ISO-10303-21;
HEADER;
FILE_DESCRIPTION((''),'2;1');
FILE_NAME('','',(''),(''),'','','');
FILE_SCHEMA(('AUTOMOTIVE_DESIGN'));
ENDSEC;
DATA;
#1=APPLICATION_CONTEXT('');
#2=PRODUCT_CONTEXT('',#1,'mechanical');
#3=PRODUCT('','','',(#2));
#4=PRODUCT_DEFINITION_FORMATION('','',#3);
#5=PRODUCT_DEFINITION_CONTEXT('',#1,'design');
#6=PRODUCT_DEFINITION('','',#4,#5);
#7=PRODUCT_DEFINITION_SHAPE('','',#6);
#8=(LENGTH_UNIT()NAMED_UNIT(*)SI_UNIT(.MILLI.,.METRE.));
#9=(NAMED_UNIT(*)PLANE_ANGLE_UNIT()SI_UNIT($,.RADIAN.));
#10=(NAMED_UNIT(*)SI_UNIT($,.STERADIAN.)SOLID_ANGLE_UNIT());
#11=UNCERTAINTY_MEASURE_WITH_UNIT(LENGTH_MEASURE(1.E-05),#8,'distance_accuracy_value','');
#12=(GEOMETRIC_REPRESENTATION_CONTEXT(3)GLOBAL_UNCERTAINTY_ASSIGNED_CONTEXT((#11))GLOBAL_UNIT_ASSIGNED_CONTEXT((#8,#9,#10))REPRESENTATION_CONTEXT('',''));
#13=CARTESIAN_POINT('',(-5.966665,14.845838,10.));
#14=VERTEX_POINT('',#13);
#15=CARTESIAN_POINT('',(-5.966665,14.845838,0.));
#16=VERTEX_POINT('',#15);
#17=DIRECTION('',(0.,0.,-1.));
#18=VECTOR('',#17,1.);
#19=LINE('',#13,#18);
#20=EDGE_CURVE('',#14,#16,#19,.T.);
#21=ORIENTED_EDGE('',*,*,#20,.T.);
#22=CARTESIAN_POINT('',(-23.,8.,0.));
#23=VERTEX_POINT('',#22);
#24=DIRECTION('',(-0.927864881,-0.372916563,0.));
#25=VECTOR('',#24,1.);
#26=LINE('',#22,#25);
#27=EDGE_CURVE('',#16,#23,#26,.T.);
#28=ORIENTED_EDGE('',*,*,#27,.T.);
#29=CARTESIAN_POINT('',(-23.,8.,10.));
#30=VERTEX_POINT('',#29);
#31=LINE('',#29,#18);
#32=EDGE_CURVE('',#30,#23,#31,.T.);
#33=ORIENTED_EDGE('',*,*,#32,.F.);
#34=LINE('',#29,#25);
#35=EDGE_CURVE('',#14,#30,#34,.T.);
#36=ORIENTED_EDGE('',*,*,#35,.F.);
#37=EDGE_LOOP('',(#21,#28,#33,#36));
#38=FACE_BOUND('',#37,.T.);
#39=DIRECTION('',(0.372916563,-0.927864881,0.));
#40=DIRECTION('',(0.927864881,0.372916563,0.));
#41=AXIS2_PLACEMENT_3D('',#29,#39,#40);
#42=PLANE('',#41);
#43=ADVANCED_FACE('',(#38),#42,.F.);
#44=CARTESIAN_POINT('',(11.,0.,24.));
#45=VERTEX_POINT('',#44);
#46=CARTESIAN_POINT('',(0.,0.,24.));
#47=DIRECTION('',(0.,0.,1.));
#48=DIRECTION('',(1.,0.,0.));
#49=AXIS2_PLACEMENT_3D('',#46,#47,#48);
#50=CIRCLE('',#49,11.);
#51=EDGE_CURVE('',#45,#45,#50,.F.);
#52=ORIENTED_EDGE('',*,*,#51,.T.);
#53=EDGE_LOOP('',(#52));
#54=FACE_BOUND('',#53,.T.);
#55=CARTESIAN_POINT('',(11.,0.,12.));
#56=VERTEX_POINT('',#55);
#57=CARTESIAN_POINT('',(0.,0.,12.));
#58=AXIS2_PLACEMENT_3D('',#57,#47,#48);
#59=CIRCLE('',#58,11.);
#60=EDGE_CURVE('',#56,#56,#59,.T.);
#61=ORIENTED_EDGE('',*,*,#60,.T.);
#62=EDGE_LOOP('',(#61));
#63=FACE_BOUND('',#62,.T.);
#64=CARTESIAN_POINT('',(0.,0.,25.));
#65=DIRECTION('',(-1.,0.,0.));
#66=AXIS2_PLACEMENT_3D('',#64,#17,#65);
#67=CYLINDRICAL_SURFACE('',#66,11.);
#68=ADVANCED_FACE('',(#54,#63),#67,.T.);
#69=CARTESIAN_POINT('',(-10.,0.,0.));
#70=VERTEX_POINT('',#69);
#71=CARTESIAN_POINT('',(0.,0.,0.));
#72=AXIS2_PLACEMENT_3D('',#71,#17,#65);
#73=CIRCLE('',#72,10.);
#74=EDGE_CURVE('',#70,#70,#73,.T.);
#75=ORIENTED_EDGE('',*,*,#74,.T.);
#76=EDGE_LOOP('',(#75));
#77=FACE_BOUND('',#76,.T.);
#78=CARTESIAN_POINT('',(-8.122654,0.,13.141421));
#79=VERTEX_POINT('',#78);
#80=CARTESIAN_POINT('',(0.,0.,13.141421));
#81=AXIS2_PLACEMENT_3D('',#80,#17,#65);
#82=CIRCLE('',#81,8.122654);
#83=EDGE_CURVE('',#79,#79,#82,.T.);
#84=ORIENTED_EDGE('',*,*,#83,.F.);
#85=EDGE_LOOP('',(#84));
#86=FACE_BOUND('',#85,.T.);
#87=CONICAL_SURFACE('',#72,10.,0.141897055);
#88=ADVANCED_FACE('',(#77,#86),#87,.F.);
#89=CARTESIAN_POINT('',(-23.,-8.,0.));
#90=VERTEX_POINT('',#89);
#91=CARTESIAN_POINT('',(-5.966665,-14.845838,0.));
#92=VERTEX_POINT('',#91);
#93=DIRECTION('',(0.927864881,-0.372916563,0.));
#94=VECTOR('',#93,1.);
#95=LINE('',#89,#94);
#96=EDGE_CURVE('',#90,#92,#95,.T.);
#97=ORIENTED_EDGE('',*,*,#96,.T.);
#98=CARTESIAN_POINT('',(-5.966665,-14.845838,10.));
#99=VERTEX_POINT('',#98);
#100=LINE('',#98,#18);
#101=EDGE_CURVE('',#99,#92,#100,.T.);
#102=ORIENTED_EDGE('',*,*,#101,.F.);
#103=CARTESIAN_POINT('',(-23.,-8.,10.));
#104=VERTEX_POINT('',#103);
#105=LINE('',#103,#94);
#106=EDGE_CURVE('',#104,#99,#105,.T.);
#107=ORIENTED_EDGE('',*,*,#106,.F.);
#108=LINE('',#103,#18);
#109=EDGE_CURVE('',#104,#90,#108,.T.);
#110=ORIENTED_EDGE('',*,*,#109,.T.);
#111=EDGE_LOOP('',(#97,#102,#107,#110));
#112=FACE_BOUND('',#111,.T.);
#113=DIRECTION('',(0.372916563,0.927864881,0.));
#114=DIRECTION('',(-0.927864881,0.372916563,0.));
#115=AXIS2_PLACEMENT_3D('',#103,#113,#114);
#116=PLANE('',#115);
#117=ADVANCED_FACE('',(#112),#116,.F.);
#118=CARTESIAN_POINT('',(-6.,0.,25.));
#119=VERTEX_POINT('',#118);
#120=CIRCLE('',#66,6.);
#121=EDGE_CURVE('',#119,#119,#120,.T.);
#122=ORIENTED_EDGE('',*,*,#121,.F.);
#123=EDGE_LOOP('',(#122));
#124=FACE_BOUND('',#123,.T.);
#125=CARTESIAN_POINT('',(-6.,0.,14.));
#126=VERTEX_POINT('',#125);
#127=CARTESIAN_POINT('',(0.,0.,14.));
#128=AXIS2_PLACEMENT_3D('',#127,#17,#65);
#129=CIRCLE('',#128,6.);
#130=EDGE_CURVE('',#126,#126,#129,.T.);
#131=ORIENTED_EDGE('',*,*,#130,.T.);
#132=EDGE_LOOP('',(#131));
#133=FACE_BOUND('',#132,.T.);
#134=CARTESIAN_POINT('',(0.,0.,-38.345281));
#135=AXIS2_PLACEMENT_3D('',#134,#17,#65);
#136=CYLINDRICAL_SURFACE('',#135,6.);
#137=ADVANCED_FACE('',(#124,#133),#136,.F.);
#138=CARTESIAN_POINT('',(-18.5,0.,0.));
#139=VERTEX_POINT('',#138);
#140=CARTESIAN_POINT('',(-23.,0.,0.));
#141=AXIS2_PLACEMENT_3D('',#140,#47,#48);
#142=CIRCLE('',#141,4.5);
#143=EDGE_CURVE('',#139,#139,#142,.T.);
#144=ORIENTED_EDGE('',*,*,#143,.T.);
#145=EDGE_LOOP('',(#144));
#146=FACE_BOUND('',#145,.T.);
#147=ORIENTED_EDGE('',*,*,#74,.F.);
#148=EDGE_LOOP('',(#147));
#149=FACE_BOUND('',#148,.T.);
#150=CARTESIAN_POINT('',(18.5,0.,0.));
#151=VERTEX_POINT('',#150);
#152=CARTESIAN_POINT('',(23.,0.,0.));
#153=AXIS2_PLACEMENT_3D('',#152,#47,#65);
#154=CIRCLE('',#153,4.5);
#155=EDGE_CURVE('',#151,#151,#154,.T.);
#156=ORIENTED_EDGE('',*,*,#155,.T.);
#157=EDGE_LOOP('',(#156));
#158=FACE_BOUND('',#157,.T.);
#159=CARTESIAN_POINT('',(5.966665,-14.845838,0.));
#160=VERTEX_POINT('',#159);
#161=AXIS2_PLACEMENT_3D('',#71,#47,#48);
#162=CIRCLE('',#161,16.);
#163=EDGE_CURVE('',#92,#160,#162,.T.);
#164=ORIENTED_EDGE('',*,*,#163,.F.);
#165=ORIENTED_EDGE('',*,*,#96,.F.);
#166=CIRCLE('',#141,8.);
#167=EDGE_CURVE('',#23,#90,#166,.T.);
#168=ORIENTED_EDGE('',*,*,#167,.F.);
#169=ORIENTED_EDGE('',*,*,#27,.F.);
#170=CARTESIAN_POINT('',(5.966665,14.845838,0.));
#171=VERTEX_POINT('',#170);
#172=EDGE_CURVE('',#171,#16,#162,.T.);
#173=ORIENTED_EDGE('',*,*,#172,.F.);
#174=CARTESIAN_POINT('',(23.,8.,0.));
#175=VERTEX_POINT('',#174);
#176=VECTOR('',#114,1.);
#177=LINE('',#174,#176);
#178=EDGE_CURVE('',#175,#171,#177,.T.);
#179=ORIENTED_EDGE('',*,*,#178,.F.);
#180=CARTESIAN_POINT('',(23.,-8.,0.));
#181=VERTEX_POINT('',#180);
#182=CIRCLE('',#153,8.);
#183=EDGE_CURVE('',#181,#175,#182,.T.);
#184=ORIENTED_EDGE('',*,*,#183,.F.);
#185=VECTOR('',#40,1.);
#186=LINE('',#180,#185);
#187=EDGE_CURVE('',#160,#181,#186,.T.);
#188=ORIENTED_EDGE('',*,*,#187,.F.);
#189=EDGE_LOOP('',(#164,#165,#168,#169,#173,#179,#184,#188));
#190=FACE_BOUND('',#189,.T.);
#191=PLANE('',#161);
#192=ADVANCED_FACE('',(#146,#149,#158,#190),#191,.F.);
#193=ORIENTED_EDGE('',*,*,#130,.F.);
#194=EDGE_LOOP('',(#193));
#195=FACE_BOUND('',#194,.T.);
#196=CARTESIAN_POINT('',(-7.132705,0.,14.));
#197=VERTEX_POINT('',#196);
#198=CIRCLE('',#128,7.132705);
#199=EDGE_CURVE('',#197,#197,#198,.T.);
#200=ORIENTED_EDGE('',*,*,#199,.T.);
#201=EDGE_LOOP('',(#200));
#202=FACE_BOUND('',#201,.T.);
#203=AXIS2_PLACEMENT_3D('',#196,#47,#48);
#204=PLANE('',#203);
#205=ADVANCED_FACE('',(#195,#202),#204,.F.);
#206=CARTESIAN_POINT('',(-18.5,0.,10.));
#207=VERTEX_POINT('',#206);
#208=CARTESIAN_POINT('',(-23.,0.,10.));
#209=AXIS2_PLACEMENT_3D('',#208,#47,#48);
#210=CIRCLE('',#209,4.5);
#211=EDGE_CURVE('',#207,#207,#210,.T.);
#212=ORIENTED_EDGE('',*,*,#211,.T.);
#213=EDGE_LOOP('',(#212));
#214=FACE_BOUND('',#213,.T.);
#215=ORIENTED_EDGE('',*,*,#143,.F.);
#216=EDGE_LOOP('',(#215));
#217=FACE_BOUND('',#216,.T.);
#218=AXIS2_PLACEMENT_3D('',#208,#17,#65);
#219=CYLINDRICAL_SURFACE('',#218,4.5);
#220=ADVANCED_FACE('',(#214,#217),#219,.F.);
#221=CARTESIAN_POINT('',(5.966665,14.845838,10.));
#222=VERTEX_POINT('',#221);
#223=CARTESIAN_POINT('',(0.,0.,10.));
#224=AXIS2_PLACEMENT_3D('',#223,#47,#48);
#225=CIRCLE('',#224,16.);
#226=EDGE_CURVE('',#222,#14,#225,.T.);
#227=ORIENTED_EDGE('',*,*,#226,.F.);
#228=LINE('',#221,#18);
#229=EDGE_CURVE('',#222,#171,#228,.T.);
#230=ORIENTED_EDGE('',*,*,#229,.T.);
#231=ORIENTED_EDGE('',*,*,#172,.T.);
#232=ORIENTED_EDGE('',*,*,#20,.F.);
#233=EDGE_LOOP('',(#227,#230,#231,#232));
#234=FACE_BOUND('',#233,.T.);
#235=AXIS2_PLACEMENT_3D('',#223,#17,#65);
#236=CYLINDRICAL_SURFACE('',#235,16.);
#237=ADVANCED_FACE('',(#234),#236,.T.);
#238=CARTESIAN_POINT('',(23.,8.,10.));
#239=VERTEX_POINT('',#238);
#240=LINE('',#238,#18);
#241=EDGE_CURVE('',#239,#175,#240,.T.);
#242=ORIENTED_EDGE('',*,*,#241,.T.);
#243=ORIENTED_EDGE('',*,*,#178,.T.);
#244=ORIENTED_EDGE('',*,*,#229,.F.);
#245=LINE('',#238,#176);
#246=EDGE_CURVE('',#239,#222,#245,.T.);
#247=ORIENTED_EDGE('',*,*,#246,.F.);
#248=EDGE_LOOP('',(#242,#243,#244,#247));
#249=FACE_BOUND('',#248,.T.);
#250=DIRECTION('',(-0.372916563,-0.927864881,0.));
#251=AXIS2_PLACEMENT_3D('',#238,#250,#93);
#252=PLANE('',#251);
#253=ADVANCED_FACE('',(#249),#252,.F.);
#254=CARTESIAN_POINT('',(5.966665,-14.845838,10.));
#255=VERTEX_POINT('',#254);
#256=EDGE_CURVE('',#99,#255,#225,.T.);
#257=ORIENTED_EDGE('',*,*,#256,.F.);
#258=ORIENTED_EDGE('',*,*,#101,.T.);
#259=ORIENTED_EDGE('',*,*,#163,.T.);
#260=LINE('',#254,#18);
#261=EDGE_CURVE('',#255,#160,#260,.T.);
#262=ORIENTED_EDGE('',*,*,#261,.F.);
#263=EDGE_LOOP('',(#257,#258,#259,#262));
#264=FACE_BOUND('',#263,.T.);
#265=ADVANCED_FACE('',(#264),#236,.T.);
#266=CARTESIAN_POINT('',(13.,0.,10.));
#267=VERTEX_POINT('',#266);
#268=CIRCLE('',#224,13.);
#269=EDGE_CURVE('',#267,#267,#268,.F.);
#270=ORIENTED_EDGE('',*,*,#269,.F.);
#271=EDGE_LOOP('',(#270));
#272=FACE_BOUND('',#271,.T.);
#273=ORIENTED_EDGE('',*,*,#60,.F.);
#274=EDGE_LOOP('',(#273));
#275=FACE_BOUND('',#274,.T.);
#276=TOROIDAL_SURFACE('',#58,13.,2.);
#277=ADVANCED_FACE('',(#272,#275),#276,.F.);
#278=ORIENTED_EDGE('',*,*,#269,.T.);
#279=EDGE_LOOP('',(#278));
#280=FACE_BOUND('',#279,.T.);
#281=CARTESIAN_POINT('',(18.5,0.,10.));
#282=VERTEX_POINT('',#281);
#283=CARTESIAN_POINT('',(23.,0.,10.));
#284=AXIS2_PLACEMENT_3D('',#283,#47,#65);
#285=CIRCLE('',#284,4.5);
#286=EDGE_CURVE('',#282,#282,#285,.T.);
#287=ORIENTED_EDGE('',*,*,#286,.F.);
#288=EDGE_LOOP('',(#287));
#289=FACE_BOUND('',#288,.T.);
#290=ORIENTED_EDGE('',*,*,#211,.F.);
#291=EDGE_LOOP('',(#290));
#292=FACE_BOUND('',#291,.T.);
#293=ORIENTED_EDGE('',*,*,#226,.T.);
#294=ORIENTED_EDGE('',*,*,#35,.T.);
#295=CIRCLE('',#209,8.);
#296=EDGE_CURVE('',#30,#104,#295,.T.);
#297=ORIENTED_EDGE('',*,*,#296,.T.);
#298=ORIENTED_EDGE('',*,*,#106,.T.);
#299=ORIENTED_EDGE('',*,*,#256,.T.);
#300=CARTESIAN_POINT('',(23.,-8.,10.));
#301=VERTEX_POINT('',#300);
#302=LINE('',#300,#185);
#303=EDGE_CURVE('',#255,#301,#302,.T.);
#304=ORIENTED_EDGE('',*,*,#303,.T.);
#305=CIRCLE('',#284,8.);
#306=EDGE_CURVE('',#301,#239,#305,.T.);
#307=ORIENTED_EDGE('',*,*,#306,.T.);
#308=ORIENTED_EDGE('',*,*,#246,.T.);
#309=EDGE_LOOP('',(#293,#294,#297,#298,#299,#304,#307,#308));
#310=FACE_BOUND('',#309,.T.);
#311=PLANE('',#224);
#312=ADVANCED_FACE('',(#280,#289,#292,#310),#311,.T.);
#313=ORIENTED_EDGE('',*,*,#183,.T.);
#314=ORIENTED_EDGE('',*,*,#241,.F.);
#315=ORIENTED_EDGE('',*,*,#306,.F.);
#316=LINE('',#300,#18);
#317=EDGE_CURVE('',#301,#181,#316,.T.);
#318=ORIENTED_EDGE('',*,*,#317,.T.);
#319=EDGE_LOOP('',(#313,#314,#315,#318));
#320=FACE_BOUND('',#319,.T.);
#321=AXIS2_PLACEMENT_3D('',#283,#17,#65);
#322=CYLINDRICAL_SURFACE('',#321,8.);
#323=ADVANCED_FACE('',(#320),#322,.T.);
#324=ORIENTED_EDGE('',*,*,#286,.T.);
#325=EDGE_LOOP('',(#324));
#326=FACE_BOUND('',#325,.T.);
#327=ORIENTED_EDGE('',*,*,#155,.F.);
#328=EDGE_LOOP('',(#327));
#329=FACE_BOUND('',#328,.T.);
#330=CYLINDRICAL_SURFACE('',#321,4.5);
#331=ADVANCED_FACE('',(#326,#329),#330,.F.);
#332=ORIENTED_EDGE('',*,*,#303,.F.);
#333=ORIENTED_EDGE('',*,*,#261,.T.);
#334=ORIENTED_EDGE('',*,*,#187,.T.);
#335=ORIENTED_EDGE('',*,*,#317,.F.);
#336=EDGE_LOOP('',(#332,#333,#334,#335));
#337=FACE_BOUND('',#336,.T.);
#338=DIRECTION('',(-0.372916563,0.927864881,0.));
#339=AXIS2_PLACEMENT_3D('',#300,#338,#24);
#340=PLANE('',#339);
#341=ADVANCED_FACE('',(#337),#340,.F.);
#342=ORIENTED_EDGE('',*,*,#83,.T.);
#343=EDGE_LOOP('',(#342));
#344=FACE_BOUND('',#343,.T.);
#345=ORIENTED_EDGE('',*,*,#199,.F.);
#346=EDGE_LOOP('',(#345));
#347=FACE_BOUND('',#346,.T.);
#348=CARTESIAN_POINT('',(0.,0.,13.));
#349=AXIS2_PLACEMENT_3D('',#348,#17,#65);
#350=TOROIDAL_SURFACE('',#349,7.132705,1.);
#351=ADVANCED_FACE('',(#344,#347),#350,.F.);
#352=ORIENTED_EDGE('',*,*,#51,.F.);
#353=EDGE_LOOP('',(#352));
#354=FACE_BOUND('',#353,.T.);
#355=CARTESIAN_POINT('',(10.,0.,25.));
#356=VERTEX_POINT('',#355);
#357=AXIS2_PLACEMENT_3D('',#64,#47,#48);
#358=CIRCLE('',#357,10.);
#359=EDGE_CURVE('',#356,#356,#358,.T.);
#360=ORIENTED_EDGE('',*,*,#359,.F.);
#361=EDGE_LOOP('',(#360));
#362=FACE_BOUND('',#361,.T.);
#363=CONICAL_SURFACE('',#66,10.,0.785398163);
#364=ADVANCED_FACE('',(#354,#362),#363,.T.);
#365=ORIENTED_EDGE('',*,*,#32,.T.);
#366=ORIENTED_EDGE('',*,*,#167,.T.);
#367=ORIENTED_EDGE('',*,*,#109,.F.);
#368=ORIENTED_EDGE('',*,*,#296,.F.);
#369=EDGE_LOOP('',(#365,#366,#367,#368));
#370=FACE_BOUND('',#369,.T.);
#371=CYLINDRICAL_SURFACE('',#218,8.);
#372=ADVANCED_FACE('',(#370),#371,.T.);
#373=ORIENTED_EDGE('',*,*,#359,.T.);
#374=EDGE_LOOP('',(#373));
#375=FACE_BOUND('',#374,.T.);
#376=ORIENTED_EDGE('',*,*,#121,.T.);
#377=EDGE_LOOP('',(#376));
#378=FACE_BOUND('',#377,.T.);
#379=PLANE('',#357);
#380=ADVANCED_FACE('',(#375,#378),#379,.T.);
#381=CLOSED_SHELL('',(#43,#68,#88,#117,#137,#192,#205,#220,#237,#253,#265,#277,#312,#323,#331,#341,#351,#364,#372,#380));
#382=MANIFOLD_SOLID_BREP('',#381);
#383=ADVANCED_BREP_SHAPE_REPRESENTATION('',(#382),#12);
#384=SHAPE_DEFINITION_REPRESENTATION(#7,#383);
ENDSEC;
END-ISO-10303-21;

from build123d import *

# Parameters (mm, degrees)
SKETCH_1_R      = 4.5
EXTRUDE_1_DEPTH = 10
SKETCH_4_R      = 11
EXTRUDE_2_DEPTH = 25
FILLET_1_R      = 2
CHAMFER_1_SIZE  = 1


with BuildPart() as part:
    # Эскиз1 → Бобышка-Вытянуть1 (new body)
    with BuildSketch(Plane.XY):
        with BuildLine():
            Line((-23, 8), (-5.966665012, 14.845838091))
            ThreePointArc((-5.966665012, 14.845838091), (0, 16), (5.966665012, 14.845838091))
            Line((5.966665012, 14.845838091), (23, 8))
            ThreePointArc((23, 8), (31, 0), (23, -8))
            Line((23, -8), (5.966665012, -14.845838091))
            ThreePointArc((5.966665012, -14.845838091), (0, -16), (-5.966665012, -14.845838091))
            Line((-5.966665012, -14.845838091), (-23, -8))
            ThreePointArc((-23, -8), (-31, 0), (-23, 8))
        make_face()
        with Locations((-23, 0)):
            Circle(SKETCH_1_R, mode=Mode.SUBTRACT)
        with Locations(Location((23, 0, 0), (0, 0, 180))):
            Circle(SKETCH_1_R, mode=Mode.SUBTRACT)
    extrude(amount=EXTRUDE_1_DEPTH)

    # Эскиз4 → Бобышка-Вытянуть2 (add)
    with BuildSketch(Plane.XY):
        Circle(SKETCH_4_R)
    extrude(amount=EXTRUDE_2_DEPTH)

    # Эскиз5 → Вырез-Повернуть1 (revolve, cut)
    with BuildSketch(Plane(origin=(0, 0, 0), x_dir=(1, 0, 0), z_dir=(0, 1, 0))):
        with BuildLine():
            Line((0, 0), (-10, 0))
            Line((-10, 0), (-8.122654092, -13.141421356))
            ThreePointArc((-8.122654092, -13.141421356), (-7.78790634, -13.755453955), (-7.132704598, -14))
            Line((-7.132704598, -14), (-6, -14))
            Line((-6, -14), (-6, -25))
            Line((-6, -25), (0, -25))
            Line((0, -25), (0, 0))
        make_face()
    revolve(axis=Axis((0, 0, -38.345280775), (0, 0, 1)), mode=Mode.SUBTRACT)

    # Скругление1
    fillet_1_edges = [part.edges().sort_by_distance(p)[0] for p in [
        (-11, 0, 10),
    ]]
    fillet(fillet_1_edges, radius=FILLET_1_R)

    # Фаска1
    chamfer_1_edges = [part.edges().sort_by_distance(p)[0] for p in [
        (-11, 0, 25),
    ]]
    chamfer(chamfer_1_edges, length=CHAMFER_1_SIZE)


solid = part.part
